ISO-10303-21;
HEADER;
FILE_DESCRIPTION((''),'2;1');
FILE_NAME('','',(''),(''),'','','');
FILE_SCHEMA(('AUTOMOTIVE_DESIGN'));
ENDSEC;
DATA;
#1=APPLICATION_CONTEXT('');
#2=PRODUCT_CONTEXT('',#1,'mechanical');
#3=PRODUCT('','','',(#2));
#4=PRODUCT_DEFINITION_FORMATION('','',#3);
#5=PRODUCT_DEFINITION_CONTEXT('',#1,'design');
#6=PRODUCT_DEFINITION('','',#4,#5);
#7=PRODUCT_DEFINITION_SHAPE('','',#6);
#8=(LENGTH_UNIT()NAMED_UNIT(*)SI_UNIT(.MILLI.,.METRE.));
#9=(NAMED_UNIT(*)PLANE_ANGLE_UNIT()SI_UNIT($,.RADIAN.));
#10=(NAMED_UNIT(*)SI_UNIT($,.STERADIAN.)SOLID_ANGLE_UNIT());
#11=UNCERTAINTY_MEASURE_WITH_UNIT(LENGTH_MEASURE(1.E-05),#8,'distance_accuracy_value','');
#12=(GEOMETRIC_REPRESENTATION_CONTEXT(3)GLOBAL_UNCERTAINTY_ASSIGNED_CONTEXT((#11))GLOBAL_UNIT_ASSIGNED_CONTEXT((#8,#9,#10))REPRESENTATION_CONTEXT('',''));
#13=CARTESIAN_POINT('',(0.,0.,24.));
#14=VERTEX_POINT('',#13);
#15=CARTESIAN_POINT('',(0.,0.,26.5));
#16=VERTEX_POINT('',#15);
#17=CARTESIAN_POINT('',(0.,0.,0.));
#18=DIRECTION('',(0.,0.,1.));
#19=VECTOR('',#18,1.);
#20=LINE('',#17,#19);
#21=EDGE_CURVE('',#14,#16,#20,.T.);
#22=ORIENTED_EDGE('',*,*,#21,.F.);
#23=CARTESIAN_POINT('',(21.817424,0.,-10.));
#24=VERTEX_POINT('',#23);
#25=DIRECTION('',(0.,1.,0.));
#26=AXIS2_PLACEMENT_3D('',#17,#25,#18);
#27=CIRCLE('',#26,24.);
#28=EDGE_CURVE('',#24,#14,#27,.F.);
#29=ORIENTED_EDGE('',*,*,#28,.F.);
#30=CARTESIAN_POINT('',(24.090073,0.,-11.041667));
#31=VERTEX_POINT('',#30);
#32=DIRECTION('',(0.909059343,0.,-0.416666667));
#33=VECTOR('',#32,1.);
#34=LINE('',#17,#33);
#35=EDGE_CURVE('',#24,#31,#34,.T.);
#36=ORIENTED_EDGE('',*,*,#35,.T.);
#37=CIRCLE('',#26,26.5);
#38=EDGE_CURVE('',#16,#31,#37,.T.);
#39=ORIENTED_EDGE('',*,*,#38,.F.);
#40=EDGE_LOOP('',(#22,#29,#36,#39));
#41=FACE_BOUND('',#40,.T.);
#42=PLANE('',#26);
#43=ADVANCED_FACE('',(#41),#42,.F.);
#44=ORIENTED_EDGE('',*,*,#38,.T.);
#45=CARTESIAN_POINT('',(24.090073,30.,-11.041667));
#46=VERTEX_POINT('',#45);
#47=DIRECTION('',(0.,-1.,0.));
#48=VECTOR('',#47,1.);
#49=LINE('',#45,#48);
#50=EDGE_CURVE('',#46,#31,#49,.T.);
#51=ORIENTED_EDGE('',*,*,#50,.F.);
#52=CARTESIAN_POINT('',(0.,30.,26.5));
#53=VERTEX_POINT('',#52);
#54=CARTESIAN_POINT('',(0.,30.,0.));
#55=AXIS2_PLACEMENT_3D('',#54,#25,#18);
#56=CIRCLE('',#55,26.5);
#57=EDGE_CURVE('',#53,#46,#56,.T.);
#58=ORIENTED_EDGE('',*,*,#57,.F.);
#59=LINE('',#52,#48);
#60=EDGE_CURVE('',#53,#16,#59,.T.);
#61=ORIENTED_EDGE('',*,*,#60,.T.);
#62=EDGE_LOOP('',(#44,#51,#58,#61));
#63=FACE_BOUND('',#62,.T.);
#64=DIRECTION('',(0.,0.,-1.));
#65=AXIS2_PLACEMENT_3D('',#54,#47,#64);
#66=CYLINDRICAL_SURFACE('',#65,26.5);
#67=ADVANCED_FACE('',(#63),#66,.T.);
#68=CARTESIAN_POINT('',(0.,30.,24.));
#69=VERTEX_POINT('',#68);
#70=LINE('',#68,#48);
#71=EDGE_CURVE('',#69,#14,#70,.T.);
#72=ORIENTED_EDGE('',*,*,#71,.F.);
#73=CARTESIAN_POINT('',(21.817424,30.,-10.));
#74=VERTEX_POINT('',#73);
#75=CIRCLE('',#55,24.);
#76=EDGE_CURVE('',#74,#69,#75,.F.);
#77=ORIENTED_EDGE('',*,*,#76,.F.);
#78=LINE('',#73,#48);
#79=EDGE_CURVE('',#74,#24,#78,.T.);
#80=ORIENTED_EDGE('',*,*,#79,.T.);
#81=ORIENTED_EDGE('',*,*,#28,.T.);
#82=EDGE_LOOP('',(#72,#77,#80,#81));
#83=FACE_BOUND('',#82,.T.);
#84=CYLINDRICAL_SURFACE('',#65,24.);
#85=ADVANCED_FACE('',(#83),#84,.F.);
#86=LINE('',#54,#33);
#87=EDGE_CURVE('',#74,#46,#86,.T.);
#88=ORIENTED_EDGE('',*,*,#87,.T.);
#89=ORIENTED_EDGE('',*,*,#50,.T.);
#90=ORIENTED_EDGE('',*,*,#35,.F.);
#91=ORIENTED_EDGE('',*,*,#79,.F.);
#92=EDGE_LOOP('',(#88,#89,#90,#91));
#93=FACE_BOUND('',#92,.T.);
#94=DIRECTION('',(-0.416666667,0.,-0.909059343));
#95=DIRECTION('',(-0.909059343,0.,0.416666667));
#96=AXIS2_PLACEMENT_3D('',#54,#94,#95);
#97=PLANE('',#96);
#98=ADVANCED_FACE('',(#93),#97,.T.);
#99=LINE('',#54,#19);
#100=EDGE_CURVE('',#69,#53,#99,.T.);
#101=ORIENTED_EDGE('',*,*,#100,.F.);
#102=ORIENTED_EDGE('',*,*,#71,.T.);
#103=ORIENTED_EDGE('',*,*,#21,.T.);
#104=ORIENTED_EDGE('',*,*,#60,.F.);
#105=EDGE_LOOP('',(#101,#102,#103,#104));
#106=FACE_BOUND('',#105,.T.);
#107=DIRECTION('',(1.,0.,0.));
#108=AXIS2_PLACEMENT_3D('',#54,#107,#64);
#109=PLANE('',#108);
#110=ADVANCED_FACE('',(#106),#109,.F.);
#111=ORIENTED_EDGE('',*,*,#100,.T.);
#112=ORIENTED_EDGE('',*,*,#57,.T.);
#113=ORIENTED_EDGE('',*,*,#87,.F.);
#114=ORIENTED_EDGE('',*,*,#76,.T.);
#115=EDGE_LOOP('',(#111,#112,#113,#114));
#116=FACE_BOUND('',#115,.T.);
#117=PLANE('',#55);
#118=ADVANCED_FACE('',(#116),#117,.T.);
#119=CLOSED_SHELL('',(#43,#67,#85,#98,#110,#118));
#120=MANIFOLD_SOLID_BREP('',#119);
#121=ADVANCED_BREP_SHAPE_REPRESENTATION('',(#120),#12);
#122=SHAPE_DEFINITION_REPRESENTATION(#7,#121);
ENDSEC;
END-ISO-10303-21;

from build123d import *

# Parameters (mm, degrees)
EXTRUDE_1_DEPTH = 30


with BuildPart() as part:
    # 草图1 → 凸台-拉伸1 (new body)
    with BuildSketch(Plane(origin=(0, 0, 0), x_dir=(1, 0, 0), z_dir=(0, 1, 0))):
        with BuildLine():
            Line((0, -24), (0, -26.5))
            ThreePointArc((0, -26.5), (22.303073406, -14.311635709), (24.090072586, 11.041666667))
            Line((24.090072586, 11.041666667), (21.817424229, 10))
            ThreePointArc((21.817424229, 10), (20.199009877, -12.961481397), (0, -24))
        make_face()
    extrude(amount=EXTRUDE_1_DEPTH)


solid = part.part
